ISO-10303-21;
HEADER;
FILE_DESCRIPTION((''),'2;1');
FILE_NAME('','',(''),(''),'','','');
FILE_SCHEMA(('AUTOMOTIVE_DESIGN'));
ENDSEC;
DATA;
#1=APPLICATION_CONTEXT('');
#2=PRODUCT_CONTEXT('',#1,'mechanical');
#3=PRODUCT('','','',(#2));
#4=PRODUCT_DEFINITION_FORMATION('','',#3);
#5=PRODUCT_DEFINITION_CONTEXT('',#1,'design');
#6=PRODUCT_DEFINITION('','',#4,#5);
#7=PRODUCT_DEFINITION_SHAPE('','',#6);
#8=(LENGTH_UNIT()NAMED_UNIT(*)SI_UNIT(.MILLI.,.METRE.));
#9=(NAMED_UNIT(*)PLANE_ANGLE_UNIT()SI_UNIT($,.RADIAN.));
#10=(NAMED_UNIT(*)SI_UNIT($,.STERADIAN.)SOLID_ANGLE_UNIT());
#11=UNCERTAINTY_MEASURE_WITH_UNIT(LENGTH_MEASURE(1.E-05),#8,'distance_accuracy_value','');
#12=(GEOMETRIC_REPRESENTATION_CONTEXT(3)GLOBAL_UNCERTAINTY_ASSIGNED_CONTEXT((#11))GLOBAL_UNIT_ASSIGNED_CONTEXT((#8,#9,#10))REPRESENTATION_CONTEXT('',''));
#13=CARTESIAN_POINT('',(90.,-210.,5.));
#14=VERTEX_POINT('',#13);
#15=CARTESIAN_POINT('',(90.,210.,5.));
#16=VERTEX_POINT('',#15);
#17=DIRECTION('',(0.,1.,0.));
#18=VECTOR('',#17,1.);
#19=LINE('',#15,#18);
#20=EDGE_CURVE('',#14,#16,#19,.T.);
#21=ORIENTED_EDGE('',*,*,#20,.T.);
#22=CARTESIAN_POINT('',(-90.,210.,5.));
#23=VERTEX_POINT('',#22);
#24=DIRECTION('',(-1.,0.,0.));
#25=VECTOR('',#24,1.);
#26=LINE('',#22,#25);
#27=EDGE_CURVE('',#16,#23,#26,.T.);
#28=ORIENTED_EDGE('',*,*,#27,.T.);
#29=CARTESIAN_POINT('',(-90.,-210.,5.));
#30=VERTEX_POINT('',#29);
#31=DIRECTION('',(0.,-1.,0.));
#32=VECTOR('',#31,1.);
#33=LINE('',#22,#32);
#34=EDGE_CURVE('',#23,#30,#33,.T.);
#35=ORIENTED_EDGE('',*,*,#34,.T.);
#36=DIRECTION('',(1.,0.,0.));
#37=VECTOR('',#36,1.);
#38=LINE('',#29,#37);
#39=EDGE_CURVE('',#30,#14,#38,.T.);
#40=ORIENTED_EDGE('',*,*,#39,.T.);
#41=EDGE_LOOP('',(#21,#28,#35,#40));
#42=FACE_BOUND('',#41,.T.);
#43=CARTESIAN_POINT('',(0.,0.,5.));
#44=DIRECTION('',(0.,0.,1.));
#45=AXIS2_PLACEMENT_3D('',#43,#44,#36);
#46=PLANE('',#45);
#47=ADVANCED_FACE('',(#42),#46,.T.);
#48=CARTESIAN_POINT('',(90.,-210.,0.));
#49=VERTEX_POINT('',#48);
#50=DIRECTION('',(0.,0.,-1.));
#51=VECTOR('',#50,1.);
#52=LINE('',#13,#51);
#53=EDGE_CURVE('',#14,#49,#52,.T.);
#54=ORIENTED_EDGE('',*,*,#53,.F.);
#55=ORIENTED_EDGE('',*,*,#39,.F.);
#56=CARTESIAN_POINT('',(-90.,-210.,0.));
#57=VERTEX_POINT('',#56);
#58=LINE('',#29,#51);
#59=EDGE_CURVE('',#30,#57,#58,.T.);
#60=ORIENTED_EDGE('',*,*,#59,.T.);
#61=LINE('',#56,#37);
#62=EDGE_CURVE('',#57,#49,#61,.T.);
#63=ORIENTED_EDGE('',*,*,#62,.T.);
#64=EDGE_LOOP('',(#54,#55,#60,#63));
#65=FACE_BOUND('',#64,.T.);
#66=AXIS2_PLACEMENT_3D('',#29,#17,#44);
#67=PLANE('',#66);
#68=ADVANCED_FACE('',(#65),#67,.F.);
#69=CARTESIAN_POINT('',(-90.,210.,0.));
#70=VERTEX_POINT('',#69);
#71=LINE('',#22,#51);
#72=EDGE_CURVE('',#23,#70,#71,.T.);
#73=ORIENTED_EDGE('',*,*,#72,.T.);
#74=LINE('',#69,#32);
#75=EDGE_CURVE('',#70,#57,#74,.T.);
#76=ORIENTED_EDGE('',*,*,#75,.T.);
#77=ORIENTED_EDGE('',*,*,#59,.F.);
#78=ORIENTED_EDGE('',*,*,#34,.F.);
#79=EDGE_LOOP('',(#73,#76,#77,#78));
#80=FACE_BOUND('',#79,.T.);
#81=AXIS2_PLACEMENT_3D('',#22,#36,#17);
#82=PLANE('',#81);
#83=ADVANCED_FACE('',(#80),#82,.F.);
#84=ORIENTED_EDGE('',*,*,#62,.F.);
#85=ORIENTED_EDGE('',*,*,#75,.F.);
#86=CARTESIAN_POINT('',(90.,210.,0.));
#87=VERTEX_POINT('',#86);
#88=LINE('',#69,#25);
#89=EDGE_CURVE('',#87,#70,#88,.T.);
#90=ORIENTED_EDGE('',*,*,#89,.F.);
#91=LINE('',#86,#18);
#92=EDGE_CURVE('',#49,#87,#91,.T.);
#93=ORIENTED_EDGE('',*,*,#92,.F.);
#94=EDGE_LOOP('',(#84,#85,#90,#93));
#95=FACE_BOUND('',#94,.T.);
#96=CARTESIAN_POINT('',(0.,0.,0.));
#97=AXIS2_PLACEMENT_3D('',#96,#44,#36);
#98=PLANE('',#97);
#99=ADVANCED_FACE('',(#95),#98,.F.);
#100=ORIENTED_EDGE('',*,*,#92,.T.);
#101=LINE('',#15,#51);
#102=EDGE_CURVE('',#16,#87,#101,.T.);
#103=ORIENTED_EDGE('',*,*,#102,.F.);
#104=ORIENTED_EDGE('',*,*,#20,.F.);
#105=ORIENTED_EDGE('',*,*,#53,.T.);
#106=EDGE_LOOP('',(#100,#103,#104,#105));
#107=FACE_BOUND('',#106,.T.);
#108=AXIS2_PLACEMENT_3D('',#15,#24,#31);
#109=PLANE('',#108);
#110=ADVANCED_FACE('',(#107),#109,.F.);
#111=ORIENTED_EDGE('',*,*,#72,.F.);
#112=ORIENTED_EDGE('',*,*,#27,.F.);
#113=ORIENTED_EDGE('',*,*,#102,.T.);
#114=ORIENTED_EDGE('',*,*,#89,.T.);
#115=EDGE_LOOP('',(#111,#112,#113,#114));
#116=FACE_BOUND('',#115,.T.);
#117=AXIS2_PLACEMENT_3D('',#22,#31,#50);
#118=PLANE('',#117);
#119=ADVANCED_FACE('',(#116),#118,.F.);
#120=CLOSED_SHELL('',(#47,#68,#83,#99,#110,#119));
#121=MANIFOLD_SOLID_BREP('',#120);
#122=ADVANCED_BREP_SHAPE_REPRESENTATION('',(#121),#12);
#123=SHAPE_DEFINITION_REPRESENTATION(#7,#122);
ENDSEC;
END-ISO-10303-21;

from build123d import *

# Parameters (mm, degrees)
ESQUISSE1_W        = 180
ESQUISSE1_H        = 420
BOSS_EXTRU_1_DEPTH = 5


with BuildPart() as part:
    # Esquisse1 → Boss.-Extru.1 (new body)
    with BuildSketch(Plane.XY):
        Rectangle(ESQUISSE1_W, ESQUISSE1_H)
    extrude(amount=BOSS_EXTRU_1_DEPTH)


solid = part.part
